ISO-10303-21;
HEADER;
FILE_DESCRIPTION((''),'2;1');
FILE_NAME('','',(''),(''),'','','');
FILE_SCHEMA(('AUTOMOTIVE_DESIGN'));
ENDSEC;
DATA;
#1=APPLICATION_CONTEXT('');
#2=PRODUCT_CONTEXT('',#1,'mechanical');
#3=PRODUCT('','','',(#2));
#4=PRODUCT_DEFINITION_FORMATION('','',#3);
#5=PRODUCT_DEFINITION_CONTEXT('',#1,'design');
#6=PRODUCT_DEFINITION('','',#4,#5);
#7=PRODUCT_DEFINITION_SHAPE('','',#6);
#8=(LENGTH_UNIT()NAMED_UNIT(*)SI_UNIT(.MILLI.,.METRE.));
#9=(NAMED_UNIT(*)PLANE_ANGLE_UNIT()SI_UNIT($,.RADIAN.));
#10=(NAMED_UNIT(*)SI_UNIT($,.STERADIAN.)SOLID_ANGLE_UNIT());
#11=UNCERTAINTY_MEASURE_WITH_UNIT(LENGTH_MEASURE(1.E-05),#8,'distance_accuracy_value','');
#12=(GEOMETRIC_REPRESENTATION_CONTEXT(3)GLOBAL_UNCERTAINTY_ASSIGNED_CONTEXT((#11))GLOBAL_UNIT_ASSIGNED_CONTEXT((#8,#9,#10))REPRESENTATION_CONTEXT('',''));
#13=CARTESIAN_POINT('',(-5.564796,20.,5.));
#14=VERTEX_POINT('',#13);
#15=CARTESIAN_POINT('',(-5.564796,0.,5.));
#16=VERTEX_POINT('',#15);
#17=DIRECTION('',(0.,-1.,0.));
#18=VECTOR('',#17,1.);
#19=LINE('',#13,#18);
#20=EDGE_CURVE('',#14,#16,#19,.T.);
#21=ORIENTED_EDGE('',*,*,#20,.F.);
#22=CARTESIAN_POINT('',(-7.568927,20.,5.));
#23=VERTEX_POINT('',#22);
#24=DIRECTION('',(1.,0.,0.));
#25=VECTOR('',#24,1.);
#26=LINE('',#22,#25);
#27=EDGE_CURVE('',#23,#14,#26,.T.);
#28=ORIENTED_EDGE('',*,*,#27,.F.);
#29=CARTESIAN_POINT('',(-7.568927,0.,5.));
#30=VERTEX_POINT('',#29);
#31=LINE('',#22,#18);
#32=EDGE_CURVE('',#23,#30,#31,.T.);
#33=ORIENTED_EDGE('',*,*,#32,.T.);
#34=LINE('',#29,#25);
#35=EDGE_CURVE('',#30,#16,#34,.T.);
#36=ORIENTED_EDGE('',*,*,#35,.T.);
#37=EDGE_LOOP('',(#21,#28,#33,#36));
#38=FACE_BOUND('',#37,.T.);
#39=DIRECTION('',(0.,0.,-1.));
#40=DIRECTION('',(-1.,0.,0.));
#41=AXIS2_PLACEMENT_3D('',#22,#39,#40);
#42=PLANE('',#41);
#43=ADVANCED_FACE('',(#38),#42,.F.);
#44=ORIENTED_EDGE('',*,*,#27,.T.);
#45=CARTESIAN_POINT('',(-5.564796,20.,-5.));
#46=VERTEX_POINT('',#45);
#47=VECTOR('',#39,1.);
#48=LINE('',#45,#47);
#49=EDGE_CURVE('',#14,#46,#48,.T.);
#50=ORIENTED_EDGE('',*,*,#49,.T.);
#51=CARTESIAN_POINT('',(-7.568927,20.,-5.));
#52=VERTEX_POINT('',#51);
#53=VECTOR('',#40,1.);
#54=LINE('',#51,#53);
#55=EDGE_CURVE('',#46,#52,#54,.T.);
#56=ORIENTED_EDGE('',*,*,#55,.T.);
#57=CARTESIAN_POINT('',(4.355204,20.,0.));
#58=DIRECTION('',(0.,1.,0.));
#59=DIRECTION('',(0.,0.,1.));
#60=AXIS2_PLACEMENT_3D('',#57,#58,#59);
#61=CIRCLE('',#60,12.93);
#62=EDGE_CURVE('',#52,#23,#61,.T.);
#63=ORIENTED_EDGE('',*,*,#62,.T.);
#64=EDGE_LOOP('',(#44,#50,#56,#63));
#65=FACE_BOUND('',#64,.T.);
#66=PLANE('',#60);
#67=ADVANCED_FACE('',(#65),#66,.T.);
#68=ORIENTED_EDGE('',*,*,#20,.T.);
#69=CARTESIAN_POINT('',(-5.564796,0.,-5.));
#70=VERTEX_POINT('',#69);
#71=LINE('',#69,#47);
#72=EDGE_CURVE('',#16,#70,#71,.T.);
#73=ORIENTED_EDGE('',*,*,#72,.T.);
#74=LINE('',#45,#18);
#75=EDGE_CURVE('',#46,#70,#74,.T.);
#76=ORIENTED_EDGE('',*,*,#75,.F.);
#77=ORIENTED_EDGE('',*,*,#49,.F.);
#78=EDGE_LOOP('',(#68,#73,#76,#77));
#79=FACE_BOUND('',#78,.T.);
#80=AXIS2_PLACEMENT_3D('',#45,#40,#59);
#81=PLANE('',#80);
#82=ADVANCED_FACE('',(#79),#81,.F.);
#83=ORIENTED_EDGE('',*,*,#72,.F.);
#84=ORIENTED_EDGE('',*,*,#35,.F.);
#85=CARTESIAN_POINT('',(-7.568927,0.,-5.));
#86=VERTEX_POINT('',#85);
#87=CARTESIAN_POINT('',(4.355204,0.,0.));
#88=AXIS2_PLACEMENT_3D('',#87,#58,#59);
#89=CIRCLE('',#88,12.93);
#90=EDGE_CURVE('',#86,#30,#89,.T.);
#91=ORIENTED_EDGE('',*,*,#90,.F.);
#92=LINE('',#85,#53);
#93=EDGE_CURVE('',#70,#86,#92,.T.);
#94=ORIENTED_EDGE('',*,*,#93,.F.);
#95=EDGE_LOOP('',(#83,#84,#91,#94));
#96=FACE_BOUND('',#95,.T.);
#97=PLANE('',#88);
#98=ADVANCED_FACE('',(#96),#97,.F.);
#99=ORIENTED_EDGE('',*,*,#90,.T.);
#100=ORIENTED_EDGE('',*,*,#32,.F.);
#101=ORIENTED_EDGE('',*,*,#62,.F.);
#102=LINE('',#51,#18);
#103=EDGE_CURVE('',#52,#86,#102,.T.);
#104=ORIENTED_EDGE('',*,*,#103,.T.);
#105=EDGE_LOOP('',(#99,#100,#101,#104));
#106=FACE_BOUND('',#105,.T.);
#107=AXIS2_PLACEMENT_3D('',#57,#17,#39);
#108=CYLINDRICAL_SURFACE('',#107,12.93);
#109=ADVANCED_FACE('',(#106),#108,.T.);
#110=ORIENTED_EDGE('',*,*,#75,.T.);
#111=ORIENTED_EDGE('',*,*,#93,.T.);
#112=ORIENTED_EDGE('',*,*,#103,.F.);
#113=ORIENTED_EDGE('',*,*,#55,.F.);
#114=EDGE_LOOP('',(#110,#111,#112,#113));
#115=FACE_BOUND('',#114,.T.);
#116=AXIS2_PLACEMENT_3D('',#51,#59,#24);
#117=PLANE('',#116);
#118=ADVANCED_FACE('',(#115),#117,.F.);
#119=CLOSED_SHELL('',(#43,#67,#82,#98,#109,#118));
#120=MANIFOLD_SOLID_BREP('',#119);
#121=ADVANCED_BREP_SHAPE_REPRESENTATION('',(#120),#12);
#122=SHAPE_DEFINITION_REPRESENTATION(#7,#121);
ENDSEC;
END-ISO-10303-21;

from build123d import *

# Parameters (mm, degrees)
EXTRUDE_1_DEPTH = 20


with BuildPart() as part:
    # 草图1 → 凸台-拉伸1 (new body)
    with BuildSketch(Plane(origin=(0, 0, 0), x_dir=(1, 0, 0), z_dir=(0, 1, 0))):
        with BuildLine():
            Line((-7.568926661, 5), (-5.564795665, 5))
            Line((-5.564795665, 5), (-5.564795665, -5))
            Line((-5.564795665, -5), (-7.568926661, -5))
            ThreePointArc((-7.568926661, -5), (-8.574795665, 0), (-7.568926661, 5))
        make_face()
    extrude(amount=EXTRUDE_1_DEPTH)


solid = part.part
